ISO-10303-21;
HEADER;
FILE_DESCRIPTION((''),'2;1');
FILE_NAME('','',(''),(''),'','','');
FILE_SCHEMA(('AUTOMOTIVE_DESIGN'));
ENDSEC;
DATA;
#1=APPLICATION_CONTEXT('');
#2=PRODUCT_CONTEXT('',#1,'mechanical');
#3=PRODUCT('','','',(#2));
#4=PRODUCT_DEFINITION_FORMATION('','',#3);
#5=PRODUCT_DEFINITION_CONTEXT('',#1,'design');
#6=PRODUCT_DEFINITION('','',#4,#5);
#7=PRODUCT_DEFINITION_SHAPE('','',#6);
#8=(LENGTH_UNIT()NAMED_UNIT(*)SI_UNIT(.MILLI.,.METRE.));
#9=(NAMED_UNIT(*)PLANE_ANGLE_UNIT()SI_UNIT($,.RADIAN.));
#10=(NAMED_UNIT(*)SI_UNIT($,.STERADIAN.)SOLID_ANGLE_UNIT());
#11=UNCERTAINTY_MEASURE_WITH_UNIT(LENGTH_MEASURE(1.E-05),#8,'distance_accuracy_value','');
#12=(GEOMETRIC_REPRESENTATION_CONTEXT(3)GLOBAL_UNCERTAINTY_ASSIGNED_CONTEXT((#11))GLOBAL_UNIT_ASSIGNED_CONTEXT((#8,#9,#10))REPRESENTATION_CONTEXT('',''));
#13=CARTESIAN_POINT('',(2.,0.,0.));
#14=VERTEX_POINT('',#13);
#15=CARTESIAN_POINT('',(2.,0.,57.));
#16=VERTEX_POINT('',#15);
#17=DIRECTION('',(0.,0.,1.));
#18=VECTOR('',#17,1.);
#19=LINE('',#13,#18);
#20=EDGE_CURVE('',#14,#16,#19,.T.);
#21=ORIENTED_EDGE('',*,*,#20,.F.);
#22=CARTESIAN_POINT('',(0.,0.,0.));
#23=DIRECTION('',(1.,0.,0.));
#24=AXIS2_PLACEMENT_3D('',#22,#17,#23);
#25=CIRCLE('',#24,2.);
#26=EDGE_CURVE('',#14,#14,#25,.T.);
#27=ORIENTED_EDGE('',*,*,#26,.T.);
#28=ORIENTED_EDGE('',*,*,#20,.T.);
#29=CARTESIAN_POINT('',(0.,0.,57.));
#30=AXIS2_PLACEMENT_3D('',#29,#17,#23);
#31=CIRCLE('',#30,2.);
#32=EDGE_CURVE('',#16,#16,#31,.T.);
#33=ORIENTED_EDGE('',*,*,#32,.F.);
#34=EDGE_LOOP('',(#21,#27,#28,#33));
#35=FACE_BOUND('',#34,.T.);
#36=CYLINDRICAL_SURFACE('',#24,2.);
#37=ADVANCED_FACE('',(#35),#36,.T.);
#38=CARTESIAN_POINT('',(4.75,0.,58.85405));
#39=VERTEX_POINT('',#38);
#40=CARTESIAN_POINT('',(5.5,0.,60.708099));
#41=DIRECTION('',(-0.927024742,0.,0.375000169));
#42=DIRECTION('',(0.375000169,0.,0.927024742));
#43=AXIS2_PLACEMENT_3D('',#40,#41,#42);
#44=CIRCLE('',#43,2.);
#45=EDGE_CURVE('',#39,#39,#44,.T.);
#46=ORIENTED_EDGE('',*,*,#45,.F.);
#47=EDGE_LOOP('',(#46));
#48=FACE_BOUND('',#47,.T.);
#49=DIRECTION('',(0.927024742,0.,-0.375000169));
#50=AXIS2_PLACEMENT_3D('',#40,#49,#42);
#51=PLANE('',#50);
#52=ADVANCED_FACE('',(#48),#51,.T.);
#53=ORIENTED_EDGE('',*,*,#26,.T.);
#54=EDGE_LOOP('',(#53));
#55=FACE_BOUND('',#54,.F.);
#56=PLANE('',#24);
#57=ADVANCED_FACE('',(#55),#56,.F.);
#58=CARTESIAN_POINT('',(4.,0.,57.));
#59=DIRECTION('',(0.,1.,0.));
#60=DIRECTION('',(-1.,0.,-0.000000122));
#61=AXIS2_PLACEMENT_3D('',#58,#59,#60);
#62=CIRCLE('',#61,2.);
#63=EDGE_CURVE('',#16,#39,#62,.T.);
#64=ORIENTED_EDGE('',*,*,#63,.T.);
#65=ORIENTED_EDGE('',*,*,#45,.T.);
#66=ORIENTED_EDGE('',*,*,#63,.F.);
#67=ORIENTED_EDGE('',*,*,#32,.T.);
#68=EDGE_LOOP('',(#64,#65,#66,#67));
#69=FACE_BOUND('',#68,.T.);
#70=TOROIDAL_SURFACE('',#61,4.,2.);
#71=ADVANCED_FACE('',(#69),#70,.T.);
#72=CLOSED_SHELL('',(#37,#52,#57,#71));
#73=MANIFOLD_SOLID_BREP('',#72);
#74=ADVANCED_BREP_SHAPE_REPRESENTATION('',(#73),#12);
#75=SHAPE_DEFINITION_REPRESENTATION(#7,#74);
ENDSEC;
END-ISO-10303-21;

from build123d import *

# Parameters (mm, degrees)
F1_R = 2


with BuildPart() as f2:
    # F2: sweep along a path in F0
    with BuildLine(Plane.XZ) as f2_path:
        Line((0, 0), (0, 57))
        ThreePointArc((0, 57), (1.763932, 60.316625), (5.5, 60.708099))
    # F1 (on Top) → F2 (sweep)
    with BuildSketch(Plane.XY):
        Circle(F1_R)
    sweep(path=f2_path.line)


solid = f2.part
